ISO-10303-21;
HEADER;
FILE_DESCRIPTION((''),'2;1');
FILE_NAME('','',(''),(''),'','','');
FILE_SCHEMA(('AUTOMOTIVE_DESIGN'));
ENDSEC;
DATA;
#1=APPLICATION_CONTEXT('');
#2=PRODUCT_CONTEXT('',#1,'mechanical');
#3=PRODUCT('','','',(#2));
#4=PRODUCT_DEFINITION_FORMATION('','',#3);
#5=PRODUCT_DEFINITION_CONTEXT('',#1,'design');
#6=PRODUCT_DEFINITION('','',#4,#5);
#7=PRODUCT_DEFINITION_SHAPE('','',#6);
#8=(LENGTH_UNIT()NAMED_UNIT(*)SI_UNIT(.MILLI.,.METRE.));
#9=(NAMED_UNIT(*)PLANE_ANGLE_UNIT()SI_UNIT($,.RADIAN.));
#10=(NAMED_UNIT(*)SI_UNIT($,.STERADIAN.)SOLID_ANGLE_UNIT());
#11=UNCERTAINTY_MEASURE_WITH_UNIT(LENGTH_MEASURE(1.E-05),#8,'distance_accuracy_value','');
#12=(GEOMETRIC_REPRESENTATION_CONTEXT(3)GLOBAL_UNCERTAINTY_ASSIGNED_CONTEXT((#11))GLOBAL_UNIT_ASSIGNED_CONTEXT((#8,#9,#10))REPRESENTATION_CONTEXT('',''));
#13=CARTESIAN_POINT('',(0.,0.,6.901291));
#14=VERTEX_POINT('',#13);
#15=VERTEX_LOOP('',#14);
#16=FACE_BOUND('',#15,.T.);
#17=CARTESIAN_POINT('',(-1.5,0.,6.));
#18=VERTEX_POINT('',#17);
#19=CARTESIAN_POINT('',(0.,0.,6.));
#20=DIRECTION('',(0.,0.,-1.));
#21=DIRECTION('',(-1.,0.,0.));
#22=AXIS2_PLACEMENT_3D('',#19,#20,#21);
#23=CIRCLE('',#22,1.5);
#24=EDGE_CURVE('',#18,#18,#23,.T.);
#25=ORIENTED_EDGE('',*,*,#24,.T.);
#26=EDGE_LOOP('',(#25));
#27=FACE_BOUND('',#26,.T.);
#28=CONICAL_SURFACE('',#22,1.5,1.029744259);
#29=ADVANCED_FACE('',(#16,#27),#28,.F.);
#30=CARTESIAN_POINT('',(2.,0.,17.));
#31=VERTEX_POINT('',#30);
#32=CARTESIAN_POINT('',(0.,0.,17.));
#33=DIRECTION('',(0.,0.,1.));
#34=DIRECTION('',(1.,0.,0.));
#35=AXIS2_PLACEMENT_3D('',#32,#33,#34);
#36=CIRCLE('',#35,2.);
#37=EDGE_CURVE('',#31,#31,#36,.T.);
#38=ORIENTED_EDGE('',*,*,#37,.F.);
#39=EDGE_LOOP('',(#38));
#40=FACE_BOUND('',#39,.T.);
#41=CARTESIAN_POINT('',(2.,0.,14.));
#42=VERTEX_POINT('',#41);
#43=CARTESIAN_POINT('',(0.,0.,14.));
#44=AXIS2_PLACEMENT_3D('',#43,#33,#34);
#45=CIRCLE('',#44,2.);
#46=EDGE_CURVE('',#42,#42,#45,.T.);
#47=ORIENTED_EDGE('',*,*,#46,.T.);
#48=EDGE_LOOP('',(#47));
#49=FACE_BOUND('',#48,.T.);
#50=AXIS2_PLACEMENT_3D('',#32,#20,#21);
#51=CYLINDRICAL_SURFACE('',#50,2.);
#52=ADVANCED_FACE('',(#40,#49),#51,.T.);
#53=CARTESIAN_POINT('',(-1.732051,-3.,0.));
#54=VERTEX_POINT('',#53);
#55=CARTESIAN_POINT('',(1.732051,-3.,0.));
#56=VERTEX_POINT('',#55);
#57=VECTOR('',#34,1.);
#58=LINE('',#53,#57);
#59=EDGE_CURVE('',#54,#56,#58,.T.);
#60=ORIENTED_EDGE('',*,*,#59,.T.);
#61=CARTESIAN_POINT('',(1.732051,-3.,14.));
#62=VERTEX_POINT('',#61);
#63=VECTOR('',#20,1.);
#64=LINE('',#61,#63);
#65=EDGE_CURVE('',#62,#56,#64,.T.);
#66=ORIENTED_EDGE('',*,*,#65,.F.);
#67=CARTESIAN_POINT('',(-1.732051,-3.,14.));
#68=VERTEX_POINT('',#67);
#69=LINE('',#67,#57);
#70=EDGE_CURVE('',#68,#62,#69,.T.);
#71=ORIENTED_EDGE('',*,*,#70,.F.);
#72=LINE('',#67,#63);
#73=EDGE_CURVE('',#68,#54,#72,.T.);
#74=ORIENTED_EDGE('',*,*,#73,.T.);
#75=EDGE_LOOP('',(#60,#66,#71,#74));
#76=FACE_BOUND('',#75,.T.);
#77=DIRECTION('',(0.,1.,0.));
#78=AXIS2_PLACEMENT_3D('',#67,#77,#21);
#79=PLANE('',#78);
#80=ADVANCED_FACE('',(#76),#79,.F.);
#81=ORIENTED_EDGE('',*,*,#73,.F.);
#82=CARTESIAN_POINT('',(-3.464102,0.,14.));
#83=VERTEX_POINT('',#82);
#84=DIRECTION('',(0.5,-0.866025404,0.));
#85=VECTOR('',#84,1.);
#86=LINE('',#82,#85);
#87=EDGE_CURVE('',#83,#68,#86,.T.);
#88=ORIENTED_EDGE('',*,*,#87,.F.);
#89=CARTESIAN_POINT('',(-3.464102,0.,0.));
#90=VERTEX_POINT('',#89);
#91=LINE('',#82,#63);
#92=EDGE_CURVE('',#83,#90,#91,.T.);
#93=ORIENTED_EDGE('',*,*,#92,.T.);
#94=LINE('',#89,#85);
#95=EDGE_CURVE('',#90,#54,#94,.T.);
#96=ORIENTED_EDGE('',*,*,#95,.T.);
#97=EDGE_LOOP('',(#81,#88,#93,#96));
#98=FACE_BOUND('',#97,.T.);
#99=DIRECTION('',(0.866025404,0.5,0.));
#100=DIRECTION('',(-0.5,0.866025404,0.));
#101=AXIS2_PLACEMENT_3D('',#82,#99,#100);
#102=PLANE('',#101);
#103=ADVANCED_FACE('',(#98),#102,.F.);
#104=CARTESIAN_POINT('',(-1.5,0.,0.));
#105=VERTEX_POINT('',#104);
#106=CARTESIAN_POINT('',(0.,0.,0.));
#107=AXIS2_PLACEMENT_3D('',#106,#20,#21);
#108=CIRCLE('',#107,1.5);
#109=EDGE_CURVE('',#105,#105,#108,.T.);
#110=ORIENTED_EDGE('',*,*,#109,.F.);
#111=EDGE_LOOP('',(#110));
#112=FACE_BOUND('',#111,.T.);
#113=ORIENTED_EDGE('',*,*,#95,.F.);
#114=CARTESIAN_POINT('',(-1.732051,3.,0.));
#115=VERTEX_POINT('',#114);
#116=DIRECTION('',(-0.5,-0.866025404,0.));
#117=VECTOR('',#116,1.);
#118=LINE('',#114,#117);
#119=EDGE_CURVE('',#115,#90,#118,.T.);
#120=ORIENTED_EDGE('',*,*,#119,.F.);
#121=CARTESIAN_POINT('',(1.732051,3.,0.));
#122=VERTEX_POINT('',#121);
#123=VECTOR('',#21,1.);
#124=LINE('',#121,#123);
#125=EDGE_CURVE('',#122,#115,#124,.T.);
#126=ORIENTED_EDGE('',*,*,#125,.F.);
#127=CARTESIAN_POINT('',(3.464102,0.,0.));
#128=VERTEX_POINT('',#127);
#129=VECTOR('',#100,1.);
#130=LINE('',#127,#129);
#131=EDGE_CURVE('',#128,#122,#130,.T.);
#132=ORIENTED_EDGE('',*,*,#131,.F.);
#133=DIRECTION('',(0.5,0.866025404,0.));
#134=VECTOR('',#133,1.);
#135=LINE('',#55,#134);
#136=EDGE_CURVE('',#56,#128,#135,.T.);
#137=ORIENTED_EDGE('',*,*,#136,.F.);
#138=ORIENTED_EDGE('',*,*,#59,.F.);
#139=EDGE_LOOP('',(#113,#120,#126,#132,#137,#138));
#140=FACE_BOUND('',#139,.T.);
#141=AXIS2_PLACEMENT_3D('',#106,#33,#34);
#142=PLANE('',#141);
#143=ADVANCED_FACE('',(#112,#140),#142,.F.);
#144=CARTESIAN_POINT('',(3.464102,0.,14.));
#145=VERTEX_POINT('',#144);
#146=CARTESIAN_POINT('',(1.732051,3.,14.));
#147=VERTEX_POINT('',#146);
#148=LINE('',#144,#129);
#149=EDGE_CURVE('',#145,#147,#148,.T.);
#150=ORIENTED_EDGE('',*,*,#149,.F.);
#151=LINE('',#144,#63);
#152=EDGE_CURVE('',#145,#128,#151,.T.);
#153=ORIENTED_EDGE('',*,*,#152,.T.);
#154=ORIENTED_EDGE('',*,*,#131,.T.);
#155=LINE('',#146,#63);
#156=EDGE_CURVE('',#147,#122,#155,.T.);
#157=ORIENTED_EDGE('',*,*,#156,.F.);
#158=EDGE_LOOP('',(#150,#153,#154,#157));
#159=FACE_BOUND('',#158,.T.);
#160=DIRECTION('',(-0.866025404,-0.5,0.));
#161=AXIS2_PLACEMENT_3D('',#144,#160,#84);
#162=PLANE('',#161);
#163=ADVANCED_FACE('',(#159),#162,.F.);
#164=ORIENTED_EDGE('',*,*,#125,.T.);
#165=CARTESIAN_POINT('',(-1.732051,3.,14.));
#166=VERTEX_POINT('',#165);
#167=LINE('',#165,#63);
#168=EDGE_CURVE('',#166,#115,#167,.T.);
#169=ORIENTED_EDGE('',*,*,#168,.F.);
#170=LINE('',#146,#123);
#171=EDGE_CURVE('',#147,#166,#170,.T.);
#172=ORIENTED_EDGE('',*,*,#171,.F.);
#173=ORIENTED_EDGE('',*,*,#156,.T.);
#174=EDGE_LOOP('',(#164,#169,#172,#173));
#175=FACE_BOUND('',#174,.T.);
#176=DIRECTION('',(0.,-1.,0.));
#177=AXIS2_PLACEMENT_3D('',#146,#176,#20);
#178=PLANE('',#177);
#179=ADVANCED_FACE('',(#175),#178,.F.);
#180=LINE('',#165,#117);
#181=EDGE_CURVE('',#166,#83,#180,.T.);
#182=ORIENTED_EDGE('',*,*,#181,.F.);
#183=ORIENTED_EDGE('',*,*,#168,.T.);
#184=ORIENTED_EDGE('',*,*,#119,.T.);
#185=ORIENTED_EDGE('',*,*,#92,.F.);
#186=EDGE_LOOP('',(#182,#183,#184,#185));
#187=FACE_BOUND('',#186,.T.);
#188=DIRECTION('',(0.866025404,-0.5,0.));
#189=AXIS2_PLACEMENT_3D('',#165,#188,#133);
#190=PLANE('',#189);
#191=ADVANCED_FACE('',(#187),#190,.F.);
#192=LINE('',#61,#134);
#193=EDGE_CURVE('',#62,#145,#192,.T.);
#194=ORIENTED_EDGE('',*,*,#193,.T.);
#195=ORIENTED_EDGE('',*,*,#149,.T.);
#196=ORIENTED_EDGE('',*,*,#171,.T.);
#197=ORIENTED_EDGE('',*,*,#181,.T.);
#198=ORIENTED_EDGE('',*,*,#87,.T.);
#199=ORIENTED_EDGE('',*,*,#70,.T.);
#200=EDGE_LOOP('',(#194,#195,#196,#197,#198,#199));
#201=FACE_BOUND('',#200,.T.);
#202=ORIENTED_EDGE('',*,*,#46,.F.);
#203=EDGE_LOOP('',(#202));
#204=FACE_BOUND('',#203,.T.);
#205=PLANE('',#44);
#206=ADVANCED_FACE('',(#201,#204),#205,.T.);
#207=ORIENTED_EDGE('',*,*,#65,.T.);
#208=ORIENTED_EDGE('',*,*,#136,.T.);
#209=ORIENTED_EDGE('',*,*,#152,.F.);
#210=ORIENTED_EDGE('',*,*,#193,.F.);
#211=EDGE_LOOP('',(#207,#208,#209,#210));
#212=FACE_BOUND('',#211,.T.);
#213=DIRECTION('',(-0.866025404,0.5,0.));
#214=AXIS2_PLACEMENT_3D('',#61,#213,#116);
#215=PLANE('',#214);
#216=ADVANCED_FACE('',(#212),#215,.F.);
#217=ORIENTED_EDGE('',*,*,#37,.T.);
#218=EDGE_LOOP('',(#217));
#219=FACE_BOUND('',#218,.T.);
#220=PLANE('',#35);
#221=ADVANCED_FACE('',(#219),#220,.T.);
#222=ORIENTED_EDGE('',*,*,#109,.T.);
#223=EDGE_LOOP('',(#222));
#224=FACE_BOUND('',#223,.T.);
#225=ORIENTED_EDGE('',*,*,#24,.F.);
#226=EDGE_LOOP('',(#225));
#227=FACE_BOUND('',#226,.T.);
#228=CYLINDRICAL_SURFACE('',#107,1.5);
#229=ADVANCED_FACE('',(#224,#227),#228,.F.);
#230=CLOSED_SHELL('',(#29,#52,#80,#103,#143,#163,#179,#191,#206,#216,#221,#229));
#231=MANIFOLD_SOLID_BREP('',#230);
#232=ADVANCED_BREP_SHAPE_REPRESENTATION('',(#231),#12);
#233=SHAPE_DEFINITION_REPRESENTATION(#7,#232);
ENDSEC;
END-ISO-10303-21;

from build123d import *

# Parameters (mm, degrees)
BOSS_EXTRUDE1_DEPTH       = 14
SKETCH2_R                 = 2
BOSS_EXTRUDE2_DEPTH       = 3
F_3_0MM_DOWEL_HOLE1_D     = 3
F_3_0MM_DOWEL_HOLE1_DEPTH = 6
F_3_0MM_DOWEL_HOLE1_TIP   = 0.901290929


with BuildPart() as part:
    # Sketch1 → Boss-Extrude1 (new body)
    with BuildSketch(Plane.XY):
        Polygon((1.732050808, 3), (-1.732050808, 3), (-3.464101615, 0), (-1.732050808, -3), (1.732050808, -3), (3.464101615, 0), align=None)
    extrude(amount=BOSS_EXTRUDE1_DEPTH)

    # Sketch2 → Boss-Extrude2 (add)
    with BuildSketch(Plane.XY.offset(14)):
        Circle(SKETCH2_R)
    extrude(amount=BOSS_EXTRUDE2_DEPTH)

    # Ø3.0mm Dowel Hole1
    with Locations(Plane(origin=(0, 0, 0), x_dir=(-1, 0, 0), z_dir=(0, 0, -1))):
        with Locations((0, 0)):
            Hole(F_3_0MM_DOWEL_HOLE1_D / 2, depth=F_3_0MM_DOWEL_HOLE1_DEPTH)
            with Locations((0, 0, -(F_3_0MM_DOWEL_HOLE1_DEPTH + F_3_0MM_DOWEL_HOLE1_TIP / 2))):  # 118° drill point
                Cone(0, F_3_0MM_DOWEL_HOLE1_D / 2, F_3_0MM_DOWEL_HOLE1_TIP, mode=Mode.SUBTRACT)


solid = part.part
